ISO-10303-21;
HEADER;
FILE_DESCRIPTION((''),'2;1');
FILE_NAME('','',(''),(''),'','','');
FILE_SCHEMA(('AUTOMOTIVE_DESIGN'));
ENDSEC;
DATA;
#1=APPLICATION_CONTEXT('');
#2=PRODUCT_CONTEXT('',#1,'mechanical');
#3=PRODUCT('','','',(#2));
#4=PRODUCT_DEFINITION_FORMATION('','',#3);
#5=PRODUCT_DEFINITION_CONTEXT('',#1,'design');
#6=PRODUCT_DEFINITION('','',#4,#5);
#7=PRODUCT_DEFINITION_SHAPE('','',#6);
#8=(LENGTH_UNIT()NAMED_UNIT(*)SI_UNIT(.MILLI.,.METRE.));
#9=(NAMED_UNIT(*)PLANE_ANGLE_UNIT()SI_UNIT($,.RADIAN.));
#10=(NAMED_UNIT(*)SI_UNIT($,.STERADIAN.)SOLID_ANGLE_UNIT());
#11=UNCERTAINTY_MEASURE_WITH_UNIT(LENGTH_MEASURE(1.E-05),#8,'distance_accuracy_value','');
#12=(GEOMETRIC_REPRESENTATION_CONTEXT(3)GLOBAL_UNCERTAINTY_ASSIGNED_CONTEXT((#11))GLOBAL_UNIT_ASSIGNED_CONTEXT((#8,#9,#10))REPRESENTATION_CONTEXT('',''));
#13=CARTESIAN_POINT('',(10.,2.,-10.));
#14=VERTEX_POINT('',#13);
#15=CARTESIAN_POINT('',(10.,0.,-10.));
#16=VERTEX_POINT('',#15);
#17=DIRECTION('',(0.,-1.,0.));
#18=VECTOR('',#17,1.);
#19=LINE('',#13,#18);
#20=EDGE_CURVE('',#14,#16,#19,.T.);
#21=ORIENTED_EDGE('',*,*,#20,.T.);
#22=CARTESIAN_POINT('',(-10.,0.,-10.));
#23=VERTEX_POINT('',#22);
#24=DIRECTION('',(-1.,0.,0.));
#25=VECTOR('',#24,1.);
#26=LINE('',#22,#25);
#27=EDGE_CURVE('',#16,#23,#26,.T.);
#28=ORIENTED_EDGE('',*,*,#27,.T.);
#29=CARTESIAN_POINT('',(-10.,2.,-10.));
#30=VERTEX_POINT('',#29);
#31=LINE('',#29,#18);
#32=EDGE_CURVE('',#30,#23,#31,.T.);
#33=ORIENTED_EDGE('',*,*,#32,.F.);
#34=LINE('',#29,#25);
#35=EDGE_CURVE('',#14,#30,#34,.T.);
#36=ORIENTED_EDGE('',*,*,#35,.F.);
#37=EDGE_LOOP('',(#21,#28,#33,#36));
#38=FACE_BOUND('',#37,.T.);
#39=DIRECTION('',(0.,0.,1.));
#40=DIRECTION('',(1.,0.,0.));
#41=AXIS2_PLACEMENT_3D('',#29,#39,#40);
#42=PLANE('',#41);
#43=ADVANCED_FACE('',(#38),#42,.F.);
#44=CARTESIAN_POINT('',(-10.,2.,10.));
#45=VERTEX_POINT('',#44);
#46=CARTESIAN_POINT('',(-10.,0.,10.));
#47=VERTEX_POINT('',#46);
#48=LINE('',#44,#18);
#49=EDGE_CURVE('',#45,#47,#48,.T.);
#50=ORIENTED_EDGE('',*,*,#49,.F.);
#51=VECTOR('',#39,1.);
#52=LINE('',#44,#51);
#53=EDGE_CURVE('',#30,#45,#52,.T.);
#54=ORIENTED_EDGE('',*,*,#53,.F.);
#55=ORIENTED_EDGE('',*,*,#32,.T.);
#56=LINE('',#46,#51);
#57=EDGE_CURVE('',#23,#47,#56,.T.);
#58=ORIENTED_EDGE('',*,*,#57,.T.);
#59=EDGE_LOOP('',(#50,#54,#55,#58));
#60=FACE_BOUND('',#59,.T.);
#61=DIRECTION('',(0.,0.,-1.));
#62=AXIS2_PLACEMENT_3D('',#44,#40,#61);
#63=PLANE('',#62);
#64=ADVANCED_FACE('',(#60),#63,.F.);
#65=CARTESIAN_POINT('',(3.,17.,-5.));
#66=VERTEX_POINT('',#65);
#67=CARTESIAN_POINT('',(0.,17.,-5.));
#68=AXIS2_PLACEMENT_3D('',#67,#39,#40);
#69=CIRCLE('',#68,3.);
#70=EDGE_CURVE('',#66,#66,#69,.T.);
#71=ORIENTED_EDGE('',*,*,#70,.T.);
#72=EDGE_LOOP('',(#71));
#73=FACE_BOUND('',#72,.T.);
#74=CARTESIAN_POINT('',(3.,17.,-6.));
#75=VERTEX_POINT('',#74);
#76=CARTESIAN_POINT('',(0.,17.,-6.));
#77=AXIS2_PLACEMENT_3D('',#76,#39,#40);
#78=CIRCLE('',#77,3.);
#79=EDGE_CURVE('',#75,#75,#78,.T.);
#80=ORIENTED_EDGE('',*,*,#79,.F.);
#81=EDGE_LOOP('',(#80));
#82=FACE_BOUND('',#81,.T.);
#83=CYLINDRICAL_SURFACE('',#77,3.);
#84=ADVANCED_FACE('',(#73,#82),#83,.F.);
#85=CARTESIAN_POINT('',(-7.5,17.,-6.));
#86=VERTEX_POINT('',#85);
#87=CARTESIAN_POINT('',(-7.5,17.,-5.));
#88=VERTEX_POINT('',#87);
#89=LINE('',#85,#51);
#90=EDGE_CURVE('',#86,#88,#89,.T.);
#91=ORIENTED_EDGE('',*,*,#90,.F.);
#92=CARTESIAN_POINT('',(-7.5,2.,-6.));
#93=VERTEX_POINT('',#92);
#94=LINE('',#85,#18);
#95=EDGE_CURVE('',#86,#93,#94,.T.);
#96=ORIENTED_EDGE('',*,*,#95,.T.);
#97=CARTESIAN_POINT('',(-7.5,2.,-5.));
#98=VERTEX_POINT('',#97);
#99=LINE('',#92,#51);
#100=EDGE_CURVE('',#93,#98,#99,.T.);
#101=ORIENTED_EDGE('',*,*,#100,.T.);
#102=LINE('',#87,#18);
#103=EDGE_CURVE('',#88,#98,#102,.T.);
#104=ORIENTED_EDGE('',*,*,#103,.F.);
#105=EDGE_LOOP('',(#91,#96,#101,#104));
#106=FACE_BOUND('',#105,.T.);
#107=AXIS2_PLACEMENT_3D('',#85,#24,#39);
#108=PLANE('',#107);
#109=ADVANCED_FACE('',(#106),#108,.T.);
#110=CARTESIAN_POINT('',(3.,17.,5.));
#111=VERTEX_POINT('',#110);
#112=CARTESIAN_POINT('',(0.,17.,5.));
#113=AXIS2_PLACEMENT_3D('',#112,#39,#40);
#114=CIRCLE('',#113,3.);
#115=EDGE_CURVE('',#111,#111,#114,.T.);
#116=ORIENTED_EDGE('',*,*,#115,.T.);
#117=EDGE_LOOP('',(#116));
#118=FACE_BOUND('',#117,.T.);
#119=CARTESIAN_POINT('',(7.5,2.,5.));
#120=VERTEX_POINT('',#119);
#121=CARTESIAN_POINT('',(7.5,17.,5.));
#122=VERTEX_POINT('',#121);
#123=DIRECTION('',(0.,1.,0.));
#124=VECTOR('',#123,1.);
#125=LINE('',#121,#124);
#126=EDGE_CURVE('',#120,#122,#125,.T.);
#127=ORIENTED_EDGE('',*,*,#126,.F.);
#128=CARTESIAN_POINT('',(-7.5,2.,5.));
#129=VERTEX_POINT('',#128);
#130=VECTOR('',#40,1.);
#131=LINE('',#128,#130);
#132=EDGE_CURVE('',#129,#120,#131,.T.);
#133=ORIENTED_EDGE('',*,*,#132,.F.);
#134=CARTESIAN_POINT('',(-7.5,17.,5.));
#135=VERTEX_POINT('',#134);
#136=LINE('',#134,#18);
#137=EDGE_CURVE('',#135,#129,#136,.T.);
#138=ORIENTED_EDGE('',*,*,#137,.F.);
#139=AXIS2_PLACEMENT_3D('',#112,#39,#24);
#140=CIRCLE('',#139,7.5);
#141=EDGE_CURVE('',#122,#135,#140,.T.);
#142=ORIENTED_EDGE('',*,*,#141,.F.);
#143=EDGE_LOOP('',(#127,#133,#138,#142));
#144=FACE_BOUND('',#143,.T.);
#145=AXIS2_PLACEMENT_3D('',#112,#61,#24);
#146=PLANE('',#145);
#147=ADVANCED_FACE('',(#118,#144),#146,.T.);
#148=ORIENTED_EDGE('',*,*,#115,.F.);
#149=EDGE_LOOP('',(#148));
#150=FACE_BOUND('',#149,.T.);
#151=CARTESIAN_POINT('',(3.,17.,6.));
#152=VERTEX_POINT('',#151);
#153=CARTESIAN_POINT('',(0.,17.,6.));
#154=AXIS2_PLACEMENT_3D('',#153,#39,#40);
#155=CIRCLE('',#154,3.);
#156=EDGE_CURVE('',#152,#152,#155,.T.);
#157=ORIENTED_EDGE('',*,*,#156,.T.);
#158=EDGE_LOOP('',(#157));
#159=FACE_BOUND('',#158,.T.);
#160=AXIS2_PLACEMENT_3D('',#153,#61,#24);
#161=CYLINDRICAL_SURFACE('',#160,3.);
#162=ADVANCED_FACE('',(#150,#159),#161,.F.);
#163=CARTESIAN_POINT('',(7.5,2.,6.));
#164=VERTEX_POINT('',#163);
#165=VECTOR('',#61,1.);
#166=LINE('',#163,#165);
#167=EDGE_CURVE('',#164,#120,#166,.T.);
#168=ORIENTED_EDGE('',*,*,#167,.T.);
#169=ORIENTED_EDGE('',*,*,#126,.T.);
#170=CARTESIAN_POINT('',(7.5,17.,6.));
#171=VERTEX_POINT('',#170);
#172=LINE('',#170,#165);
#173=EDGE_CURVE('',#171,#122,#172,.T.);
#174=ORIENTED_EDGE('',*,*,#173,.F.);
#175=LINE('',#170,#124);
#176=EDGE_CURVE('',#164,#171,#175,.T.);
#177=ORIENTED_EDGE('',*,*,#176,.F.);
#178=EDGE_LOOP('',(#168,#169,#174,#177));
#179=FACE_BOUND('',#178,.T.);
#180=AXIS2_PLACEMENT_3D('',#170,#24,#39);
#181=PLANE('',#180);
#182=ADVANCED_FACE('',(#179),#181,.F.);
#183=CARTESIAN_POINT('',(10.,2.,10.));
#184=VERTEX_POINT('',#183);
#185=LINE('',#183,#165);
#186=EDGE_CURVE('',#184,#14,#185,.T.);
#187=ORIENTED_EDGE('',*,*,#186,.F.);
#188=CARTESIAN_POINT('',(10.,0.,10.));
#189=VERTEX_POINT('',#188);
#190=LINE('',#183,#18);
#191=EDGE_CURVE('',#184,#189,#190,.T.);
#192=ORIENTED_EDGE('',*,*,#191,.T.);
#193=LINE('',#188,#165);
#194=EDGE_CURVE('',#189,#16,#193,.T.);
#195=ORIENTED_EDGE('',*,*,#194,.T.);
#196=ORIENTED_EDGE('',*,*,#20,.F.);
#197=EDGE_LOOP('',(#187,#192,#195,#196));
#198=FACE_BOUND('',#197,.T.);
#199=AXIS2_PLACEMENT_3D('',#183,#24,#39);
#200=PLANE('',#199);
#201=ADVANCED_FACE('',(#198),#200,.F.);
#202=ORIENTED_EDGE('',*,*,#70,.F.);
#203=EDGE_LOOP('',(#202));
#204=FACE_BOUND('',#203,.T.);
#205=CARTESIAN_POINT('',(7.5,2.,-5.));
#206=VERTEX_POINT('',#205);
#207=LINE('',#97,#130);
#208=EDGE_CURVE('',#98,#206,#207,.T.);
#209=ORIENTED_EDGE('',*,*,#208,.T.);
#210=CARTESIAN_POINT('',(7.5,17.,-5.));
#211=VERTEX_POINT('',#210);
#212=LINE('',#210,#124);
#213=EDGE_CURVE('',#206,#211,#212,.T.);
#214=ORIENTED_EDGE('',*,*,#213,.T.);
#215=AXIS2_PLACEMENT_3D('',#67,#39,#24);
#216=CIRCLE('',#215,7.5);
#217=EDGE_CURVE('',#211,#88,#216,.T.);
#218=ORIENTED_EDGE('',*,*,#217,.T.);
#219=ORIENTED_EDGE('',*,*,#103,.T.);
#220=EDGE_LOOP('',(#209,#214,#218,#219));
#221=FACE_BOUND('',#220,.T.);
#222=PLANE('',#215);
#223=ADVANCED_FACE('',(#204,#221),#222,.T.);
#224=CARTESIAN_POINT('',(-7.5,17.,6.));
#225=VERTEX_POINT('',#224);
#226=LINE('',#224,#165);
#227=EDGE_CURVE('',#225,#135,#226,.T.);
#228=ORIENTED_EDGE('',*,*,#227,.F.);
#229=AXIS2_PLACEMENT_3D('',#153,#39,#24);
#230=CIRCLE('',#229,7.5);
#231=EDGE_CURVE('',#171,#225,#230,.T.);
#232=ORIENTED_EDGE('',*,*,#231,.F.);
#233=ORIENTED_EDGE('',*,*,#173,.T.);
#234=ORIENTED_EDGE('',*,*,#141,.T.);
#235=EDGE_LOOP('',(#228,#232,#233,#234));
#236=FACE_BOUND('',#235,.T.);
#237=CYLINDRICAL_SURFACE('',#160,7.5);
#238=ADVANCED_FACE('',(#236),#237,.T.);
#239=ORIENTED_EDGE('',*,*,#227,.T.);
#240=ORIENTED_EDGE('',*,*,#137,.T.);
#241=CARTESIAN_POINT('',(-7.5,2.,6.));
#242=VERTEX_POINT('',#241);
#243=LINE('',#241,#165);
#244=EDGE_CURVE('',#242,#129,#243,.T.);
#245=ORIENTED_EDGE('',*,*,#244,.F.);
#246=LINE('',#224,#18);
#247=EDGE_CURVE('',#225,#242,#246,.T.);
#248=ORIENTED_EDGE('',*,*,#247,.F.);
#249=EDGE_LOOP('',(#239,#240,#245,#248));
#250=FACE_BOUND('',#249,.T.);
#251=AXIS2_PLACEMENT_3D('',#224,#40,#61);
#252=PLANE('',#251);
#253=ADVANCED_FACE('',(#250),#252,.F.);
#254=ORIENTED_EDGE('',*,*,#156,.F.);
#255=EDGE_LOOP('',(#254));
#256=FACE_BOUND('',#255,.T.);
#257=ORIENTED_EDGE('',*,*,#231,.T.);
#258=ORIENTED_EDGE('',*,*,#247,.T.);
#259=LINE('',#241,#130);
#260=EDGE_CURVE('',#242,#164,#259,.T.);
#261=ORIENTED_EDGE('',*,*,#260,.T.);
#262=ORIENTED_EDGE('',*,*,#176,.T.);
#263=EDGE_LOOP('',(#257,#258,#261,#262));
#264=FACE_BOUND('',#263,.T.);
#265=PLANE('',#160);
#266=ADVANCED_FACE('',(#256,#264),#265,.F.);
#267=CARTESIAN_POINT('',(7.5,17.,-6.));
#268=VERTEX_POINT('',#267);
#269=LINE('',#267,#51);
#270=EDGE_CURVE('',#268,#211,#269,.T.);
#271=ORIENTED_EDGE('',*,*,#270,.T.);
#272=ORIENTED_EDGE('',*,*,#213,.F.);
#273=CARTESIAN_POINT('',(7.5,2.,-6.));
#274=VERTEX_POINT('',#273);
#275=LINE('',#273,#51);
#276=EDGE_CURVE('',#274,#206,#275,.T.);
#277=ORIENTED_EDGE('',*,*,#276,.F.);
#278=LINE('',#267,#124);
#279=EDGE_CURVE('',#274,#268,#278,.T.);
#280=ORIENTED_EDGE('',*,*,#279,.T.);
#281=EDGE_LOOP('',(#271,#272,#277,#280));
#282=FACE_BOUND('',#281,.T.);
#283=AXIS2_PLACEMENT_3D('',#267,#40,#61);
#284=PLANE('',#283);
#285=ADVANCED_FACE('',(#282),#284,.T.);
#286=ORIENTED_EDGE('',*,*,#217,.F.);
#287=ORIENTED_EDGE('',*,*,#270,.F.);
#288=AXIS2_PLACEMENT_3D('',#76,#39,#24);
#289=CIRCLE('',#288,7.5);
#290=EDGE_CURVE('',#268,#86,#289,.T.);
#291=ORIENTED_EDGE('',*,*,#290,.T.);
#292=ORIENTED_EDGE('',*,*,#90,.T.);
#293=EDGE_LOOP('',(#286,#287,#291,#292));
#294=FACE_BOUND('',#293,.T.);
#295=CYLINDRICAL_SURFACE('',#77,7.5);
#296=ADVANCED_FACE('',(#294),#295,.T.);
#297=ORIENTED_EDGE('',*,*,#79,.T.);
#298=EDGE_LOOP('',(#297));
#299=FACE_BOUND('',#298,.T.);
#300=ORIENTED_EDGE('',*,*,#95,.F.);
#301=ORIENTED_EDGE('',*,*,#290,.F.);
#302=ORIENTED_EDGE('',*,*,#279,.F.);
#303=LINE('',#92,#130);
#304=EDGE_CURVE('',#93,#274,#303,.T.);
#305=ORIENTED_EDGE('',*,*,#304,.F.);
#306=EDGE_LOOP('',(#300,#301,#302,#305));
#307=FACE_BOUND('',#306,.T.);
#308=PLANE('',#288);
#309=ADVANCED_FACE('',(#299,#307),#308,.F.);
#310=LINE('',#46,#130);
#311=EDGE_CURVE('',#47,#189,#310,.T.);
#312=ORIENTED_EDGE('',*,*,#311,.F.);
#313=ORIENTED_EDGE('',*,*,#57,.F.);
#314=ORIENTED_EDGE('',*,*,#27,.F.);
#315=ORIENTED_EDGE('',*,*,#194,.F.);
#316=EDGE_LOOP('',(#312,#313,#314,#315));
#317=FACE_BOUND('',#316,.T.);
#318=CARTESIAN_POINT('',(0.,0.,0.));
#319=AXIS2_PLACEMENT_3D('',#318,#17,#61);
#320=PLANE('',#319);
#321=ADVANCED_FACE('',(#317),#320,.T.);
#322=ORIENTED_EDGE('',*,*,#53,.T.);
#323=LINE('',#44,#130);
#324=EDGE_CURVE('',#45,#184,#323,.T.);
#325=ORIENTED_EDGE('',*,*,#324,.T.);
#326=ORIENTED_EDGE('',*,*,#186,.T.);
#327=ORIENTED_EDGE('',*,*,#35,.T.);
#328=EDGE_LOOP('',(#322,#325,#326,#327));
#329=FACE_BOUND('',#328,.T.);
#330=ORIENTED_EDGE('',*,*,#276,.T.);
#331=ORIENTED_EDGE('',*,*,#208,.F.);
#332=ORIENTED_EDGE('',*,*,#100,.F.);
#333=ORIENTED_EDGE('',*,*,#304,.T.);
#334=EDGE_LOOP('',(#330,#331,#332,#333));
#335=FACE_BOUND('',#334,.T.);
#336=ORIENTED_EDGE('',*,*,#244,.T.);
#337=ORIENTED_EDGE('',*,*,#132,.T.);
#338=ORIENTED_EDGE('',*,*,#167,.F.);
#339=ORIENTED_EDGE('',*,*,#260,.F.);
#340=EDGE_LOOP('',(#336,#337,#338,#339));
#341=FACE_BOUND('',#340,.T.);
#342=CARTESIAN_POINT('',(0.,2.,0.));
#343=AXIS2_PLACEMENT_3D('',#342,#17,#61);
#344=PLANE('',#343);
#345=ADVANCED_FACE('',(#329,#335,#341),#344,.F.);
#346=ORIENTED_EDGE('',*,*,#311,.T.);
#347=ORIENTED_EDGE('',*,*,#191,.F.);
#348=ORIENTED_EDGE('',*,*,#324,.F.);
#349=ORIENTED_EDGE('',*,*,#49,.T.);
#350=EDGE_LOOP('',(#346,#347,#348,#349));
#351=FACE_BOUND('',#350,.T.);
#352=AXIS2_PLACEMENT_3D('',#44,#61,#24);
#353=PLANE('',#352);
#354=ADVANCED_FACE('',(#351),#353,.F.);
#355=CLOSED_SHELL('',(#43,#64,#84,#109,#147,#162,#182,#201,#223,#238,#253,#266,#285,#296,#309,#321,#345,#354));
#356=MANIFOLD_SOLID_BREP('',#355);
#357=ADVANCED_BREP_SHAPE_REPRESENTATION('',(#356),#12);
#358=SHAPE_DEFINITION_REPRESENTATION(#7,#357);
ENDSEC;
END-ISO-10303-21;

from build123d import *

# Parameters (mm, degrees)
SKETCH1_W           = 20
SKETCH1_H           = 20
BOSS_EXTRUDE1_DEPTH = 2
SKETCH4_R           = 3
BOSS_EXTRUDE2_DEPTH = 1


with BuildPart() as part:
    # Sketch1 → Boss-Extrude1 (new body)
    with BuildSketch(Plane(origin=(0, 0, 0), x_dir=(1, 0, 0), z_dir=(0, 1, 0))):
        Rectangle(SKETCH1_W, SKETCH1_H)
    extrude(amount=BOSS_EXTRUDE1_DEPTH)

    # Sketch4 → Boss-Extrude2 (add)
    with BuildSketch(Plane.XY.offset(5)):
        with BuildLine():
            Line((-7.5, 17), (-7.5, 2))
            Line((-7.5, 2), (7.5, 2))
            Line((7.5, 2), (7.5, 17))
            ThreePointArc((7.5, 17), (0, 24.5), (-7.5, 17))
        make_face()
        with Locations((0, 17)):
            Circle(SKETCH4_R, mode=Mode.SUBTRACT)
    boss_extrude2 = extrude(amount=BOSS_EXTRUDE2_DEPTH)

    # Mirror1: Boss-Extrude2 across plane
    add(boss_extrude2.mirror(Plane.XY))


solid = part.part
